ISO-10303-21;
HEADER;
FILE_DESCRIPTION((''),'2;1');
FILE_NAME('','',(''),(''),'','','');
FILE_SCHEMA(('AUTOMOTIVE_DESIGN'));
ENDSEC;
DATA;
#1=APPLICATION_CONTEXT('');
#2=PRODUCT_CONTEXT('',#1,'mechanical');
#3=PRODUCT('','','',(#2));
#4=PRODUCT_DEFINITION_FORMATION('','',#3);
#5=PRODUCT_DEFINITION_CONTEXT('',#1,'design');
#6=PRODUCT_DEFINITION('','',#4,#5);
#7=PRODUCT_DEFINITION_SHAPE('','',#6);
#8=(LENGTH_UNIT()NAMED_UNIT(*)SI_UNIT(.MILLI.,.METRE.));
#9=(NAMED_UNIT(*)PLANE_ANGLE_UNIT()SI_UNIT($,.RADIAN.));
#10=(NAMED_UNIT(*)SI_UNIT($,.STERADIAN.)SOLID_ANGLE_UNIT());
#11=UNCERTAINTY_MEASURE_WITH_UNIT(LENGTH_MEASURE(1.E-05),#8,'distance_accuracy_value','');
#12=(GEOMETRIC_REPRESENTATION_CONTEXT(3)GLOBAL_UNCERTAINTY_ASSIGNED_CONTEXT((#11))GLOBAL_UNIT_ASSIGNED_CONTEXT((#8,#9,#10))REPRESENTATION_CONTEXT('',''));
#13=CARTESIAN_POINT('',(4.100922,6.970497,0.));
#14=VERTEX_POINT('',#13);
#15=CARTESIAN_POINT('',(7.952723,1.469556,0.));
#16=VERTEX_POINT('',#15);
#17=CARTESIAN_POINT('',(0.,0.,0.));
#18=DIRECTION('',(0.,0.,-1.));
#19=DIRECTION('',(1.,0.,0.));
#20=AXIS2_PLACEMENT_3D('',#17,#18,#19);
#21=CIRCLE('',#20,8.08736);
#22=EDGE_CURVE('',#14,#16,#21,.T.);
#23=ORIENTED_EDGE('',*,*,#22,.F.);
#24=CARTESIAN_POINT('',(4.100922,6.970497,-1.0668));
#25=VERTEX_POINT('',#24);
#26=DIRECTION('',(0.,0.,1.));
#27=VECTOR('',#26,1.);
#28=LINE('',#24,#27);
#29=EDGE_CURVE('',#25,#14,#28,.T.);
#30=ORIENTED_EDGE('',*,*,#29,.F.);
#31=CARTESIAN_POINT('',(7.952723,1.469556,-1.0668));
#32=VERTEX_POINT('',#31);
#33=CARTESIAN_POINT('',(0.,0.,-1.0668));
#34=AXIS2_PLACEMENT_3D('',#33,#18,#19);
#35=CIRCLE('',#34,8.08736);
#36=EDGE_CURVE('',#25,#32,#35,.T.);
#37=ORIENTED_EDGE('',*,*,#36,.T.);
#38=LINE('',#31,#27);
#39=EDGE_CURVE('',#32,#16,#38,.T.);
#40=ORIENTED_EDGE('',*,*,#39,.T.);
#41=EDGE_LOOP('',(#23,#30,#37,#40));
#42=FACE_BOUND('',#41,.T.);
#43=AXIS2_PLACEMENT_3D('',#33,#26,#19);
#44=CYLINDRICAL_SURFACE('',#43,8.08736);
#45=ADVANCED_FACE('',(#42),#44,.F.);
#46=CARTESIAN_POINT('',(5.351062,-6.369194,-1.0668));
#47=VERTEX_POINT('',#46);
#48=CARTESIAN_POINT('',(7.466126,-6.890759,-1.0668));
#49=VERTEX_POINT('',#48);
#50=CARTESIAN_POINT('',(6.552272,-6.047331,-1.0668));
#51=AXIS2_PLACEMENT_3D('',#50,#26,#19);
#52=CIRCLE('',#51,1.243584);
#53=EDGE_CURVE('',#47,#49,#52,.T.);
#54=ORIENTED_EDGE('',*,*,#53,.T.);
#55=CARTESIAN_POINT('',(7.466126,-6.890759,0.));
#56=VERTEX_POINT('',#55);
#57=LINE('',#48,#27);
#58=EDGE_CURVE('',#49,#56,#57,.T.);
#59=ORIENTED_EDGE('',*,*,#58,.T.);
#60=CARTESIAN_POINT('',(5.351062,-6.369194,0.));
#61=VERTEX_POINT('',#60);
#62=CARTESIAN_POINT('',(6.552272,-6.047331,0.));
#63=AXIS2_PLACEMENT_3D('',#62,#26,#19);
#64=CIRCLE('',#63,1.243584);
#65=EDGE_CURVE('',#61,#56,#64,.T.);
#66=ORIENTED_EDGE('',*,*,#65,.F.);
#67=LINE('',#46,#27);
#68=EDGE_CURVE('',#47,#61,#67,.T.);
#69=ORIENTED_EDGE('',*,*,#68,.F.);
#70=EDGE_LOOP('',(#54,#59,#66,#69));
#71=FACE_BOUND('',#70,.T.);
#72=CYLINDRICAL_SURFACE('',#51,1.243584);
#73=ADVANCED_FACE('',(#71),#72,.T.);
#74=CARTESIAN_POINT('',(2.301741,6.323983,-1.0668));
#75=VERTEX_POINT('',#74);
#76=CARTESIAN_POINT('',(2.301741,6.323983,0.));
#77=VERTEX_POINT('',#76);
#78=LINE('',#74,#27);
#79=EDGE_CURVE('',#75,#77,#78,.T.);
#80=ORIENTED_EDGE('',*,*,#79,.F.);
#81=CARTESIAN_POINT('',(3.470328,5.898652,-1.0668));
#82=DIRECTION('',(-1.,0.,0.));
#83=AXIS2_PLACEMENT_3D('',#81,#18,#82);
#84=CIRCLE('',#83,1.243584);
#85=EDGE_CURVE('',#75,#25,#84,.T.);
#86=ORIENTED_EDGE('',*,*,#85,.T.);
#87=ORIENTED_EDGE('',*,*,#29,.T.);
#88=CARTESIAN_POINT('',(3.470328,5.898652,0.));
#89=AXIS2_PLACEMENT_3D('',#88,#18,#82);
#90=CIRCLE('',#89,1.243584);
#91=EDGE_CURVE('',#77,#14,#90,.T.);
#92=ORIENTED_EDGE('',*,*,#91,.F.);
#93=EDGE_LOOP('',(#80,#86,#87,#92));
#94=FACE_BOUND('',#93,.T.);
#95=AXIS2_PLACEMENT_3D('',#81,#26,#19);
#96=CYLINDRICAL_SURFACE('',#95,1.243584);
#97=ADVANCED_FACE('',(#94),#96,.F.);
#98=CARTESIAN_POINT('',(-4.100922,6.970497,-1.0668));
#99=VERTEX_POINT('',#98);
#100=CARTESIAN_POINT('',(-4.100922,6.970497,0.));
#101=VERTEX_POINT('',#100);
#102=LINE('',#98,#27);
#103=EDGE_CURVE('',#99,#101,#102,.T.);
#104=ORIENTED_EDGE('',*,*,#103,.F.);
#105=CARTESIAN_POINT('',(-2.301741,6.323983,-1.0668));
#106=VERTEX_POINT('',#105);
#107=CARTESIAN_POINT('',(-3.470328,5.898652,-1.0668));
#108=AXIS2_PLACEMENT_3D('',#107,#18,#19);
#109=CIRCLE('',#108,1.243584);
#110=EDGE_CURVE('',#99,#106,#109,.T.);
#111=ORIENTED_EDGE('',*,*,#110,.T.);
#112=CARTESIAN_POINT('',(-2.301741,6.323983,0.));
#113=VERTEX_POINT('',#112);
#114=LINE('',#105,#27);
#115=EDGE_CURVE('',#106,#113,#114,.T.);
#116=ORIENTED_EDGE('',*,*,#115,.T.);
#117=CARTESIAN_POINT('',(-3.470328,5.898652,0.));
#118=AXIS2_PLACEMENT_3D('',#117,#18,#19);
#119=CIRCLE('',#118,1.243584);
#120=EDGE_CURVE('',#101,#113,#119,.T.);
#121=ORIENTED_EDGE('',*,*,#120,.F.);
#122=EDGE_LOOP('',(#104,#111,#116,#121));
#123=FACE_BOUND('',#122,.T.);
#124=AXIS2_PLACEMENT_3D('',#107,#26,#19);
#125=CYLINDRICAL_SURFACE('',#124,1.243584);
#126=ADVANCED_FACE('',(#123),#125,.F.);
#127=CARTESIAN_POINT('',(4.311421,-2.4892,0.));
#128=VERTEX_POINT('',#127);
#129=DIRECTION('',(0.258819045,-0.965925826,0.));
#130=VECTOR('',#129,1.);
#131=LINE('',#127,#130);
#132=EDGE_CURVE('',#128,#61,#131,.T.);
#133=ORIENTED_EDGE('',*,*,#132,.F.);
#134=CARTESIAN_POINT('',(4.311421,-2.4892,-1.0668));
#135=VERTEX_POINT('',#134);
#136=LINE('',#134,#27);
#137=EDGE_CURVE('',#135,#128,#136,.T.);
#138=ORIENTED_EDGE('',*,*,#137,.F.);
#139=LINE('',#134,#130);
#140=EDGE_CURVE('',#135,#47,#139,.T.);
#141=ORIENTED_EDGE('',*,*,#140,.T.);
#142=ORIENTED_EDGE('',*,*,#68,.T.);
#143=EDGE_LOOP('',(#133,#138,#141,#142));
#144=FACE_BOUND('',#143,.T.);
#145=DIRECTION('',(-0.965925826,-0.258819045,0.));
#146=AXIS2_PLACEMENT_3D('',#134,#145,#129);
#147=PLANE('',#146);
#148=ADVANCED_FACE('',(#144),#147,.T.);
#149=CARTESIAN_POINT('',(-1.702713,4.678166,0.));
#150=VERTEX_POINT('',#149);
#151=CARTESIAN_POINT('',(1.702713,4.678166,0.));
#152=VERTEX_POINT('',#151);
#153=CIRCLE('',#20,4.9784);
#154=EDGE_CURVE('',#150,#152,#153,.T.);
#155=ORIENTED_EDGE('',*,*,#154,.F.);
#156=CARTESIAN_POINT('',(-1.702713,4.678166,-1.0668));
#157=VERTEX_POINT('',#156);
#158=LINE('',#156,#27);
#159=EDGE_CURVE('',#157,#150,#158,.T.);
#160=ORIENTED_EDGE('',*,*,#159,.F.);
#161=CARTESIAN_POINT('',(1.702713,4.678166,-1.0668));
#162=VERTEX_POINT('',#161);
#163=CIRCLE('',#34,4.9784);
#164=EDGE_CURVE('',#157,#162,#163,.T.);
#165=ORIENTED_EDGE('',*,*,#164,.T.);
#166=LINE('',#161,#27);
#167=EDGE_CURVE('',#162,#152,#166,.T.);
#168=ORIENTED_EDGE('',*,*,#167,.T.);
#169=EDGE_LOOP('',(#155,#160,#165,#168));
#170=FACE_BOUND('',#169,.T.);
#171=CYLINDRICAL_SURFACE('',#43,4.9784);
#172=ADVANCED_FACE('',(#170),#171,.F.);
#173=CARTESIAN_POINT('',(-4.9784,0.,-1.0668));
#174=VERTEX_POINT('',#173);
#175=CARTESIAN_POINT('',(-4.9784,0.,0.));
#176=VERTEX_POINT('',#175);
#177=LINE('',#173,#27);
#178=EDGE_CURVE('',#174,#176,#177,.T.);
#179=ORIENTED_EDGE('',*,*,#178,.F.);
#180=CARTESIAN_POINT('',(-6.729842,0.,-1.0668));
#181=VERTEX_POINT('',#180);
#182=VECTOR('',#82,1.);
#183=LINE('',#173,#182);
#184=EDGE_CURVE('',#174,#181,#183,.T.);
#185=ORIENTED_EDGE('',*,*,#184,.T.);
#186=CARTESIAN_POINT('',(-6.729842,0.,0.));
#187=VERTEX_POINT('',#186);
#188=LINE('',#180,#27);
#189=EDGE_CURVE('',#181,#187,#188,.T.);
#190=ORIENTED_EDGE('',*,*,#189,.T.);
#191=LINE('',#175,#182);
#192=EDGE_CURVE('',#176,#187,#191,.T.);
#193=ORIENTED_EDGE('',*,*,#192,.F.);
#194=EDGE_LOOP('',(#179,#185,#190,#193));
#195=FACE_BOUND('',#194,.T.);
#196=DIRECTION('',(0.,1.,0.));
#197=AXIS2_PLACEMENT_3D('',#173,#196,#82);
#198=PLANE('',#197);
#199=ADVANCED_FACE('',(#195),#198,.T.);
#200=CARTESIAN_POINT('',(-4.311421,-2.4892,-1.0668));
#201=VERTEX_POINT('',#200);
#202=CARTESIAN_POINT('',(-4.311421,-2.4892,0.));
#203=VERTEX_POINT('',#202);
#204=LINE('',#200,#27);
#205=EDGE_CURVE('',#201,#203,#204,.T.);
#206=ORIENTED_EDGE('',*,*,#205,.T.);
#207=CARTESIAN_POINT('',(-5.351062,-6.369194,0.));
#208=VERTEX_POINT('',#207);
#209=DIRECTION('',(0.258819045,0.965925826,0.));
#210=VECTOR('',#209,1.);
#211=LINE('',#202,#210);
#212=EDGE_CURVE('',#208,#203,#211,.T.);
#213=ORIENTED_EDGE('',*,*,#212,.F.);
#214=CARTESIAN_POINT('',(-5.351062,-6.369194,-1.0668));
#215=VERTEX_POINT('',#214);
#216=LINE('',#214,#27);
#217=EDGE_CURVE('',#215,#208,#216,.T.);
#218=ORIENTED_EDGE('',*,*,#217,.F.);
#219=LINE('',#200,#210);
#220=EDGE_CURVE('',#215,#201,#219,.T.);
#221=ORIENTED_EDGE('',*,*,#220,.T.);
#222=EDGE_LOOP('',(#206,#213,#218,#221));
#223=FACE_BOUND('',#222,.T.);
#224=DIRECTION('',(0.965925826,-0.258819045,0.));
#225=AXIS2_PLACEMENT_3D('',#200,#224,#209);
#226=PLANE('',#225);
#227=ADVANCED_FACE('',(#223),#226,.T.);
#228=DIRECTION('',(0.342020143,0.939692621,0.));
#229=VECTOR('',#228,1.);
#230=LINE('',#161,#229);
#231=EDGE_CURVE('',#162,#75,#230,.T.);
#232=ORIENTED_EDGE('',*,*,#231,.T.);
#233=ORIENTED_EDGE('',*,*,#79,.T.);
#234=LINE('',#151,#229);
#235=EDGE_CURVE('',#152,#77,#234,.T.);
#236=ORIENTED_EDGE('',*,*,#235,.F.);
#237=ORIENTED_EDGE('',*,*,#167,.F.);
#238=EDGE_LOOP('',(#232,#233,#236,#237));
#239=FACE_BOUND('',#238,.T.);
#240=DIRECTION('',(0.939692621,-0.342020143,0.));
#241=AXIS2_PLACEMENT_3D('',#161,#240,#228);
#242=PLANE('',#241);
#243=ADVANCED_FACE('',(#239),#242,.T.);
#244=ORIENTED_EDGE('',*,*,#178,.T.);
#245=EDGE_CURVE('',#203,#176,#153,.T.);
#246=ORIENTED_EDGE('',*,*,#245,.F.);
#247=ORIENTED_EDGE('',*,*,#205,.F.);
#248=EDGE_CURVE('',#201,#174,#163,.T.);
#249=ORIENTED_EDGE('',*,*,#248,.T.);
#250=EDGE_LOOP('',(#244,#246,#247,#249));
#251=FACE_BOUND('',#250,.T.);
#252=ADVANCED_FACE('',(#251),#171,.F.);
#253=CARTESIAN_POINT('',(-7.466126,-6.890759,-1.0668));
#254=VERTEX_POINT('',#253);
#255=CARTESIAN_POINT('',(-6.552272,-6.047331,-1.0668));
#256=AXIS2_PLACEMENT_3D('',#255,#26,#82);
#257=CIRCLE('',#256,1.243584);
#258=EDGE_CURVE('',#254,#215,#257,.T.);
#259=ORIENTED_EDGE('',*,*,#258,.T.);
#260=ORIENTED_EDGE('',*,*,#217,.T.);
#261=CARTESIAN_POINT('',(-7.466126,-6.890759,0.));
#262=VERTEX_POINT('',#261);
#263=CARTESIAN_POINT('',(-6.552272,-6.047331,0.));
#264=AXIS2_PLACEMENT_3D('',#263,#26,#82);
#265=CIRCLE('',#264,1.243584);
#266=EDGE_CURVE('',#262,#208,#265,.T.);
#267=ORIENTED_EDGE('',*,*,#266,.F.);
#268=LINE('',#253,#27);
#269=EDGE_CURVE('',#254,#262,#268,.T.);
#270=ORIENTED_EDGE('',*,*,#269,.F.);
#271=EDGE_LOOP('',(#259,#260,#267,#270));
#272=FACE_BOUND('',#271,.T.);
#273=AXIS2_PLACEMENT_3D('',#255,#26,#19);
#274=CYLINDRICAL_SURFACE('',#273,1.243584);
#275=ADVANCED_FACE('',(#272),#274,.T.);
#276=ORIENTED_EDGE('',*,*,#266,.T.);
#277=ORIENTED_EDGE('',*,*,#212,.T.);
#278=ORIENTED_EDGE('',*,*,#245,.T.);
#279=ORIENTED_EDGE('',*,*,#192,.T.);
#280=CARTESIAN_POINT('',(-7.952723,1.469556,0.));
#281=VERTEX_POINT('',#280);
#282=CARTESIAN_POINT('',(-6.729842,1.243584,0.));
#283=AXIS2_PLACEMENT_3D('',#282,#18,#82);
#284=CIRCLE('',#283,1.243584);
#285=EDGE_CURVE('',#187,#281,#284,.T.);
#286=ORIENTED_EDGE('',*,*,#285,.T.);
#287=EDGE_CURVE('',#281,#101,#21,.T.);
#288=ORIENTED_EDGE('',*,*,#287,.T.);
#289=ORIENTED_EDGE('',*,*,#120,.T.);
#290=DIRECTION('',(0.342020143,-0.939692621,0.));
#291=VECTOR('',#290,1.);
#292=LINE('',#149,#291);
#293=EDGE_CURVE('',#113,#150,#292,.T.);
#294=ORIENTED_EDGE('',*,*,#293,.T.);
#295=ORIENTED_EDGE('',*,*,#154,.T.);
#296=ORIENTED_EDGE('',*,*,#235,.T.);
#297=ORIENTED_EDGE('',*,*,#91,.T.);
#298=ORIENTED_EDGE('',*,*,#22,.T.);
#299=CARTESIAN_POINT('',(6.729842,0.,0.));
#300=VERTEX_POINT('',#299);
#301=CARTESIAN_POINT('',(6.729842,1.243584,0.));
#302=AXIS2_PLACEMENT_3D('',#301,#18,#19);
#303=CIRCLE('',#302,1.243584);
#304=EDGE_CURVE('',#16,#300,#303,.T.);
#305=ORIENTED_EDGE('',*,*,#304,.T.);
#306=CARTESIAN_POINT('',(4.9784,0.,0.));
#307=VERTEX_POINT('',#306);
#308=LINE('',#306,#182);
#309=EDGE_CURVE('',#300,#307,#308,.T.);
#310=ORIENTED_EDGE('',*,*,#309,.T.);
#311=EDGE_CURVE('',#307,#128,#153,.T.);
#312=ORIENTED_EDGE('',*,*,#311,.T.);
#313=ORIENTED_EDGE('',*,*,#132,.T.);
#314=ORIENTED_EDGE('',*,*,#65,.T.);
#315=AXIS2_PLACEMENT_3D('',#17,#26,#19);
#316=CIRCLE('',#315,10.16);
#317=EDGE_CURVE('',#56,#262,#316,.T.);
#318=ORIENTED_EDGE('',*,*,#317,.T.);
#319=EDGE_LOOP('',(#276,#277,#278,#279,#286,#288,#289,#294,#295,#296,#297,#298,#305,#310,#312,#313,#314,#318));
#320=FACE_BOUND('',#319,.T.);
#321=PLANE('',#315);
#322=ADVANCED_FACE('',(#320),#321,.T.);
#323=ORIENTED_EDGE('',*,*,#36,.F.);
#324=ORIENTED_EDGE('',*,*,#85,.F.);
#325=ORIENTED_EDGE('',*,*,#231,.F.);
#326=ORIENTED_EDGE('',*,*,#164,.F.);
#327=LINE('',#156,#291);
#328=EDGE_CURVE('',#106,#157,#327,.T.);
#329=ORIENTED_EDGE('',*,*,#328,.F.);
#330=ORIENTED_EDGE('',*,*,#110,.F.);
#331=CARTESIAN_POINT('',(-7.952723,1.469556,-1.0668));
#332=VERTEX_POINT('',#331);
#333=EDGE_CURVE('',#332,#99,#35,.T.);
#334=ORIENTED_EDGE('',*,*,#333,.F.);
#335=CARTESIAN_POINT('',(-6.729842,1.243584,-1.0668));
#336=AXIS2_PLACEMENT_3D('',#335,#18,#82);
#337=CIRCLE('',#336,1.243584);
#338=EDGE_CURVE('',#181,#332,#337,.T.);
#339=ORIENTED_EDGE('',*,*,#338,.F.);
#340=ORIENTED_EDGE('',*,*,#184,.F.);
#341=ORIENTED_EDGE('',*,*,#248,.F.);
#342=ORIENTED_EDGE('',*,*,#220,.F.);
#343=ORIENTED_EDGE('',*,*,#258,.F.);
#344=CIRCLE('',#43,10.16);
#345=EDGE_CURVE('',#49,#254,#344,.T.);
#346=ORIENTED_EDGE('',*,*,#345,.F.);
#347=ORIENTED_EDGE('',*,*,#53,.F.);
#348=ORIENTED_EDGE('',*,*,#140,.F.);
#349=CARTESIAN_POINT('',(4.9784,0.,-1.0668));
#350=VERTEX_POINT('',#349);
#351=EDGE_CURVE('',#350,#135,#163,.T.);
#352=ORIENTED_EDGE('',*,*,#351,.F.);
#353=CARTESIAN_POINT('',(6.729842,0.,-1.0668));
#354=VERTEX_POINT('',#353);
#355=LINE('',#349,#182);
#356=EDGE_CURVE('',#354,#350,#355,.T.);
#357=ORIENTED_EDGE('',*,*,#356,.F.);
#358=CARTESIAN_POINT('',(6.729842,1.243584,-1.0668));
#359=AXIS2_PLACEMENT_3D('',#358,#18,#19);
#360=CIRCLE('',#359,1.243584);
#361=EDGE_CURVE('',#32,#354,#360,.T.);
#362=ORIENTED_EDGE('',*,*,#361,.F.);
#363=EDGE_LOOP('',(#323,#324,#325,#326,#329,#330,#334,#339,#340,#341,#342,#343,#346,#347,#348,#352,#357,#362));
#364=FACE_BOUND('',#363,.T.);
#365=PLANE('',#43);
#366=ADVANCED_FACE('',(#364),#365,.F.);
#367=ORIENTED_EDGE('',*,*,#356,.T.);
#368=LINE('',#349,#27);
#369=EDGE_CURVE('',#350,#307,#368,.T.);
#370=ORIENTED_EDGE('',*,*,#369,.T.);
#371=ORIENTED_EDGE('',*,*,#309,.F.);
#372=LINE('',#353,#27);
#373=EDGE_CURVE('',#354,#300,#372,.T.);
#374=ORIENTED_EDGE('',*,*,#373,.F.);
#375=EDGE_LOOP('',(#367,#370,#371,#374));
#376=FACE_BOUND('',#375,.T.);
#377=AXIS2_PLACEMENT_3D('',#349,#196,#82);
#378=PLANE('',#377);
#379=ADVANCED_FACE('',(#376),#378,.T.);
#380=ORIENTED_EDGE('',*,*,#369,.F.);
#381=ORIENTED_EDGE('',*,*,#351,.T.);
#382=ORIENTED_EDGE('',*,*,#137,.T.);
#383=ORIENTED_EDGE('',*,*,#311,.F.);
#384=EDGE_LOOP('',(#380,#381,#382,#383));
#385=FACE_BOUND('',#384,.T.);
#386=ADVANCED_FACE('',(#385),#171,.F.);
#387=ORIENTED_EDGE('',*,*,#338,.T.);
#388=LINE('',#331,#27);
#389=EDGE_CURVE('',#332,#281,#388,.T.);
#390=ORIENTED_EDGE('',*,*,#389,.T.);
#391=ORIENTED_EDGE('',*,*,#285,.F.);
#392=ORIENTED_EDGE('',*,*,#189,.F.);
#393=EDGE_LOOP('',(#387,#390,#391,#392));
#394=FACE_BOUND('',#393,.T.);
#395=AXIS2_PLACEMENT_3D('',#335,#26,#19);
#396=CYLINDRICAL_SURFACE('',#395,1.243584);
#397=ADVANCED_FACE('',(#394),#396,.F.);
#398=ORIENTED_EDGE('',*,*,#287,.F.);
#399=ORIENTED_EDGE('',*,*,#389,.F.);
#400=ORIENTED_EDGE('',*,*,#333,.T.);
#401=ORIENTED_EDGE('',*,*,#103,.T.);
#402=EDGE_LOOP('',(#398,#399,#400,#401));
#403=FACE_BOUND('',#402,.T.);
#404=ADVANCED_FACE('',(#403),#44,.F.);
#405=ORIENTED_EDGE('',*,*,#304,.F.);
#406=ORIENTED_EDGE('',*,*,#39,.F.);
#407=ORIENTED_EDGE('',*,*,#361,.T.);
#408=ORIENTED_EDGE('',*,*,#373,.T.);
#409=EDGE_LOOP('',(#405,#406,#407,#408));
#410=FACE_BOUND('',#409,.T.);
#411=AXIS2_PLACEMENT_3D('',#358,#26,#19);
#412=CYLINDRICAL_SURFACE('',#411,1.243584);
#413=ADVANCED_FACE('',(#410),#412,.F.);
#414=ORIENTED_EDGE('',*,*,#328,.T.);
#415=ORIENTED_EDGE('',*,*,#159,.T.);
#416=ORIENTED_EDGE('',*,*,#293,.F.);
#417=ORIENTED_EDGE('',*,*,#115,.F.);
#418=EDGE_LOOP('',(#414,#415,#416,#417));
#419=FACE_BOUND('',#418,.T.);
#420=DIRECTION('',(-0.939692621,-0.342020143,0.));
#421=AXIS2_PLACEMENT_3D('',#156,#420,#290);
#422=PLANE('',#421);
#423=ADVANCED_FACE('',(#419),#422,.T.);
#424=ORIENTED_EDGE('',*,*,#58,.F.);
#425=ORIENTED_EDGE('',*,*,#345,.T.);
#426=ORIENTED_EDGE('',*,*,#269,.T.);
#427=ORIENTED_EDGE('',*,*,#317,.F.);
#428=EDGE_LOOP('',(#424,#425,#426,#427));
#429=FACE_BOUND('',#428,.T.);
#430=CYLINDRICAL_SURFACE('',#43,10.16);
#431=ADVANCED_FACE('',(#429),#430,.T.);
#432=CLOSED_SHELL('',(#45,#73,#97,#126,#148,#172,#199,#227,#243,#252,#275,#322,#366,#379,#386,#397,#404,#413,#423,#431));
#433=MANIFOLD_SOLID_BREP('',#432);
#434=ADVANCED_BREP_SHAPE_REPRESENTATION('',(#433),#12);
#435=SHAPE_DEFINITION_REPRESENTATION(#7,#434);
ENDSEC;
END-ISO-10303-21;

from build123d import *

# Parameters (mm, degrees)
BODY_DEPTH = 1.0668


with BuildPart() as part:
    # BodySke → Body (new body)
    with BuildSketch(Plane.XY):
        with BuildLine():
            Line((4.31142087, -2.4892), (5.35106206, -6.369193743))
            ThreePointArc((5.35106206, -6.369193743), (6.254528637, -7.254745144), (7.466125755, -6.89075948))
            ThreePointArc((7.466125755, -6.89075948), (0, 10.16), (-7.466125755, -6.89075948))
            ThreePointArc((-7.466125755, -6.89075948), (-6.254528637, -7.254745144), (-5.35106206, -6.369193743))
            Line((-5.35106206, -6.369193743), (-4.31142087, -2.4892))
            ThreePointArc((-4.31142087, -2.4892), (-4.808765134, -1.288504734), (-4.9784, 0))
            Line((-4.9784, 0), (-6.72984166, 0))
            ThreePointArc((-6.72984166, 0), (-7.685748618, 0.448132522), (-7.952722627, 1.469555914))
            ThreePointArc((-7.952722627, 1.469555914), (-6.624777477, 4.638719128), (-4.100922181, 6.970497043))
            ThreePointArc((-4.100922181, 6.970497043), (-3.049787668, 7.068970912), (-2.301741409, 6.323982547))
            Line((-2.301741409, 6.323982547), (-1.702713082, 4.678165743))
            ThreePointArc((-1.702713082, 4.678165743), (0, 4.9784), (1.702713082, 4.678165743))
            Line((1.702713082, 4.678165743), (2.301741409, 6.323982547))
            ThreePointArc((2.301741409, 6.323982547), (3.049787668, 7.068970912), (4.100922181, 6.970497043))
            ThreePointArc((4.100922181, 6.970497043), (6.624777477, 4.638719128), (7.952722627, 1.469555914))
            ThreePointArc((7.952722627, 1.469555914), (7.685748618, 0.448132522), (6.72984166, 0))
            Line((6.72984166, 0), (4.9784, 0))
            ThreePointArc((4.9784, 0), (4.808765134, -1.288504734), (4.31142087, -2.4892))
        make_face()
    extrude(amount=-BODY_DEPTH)


solid = part.part
